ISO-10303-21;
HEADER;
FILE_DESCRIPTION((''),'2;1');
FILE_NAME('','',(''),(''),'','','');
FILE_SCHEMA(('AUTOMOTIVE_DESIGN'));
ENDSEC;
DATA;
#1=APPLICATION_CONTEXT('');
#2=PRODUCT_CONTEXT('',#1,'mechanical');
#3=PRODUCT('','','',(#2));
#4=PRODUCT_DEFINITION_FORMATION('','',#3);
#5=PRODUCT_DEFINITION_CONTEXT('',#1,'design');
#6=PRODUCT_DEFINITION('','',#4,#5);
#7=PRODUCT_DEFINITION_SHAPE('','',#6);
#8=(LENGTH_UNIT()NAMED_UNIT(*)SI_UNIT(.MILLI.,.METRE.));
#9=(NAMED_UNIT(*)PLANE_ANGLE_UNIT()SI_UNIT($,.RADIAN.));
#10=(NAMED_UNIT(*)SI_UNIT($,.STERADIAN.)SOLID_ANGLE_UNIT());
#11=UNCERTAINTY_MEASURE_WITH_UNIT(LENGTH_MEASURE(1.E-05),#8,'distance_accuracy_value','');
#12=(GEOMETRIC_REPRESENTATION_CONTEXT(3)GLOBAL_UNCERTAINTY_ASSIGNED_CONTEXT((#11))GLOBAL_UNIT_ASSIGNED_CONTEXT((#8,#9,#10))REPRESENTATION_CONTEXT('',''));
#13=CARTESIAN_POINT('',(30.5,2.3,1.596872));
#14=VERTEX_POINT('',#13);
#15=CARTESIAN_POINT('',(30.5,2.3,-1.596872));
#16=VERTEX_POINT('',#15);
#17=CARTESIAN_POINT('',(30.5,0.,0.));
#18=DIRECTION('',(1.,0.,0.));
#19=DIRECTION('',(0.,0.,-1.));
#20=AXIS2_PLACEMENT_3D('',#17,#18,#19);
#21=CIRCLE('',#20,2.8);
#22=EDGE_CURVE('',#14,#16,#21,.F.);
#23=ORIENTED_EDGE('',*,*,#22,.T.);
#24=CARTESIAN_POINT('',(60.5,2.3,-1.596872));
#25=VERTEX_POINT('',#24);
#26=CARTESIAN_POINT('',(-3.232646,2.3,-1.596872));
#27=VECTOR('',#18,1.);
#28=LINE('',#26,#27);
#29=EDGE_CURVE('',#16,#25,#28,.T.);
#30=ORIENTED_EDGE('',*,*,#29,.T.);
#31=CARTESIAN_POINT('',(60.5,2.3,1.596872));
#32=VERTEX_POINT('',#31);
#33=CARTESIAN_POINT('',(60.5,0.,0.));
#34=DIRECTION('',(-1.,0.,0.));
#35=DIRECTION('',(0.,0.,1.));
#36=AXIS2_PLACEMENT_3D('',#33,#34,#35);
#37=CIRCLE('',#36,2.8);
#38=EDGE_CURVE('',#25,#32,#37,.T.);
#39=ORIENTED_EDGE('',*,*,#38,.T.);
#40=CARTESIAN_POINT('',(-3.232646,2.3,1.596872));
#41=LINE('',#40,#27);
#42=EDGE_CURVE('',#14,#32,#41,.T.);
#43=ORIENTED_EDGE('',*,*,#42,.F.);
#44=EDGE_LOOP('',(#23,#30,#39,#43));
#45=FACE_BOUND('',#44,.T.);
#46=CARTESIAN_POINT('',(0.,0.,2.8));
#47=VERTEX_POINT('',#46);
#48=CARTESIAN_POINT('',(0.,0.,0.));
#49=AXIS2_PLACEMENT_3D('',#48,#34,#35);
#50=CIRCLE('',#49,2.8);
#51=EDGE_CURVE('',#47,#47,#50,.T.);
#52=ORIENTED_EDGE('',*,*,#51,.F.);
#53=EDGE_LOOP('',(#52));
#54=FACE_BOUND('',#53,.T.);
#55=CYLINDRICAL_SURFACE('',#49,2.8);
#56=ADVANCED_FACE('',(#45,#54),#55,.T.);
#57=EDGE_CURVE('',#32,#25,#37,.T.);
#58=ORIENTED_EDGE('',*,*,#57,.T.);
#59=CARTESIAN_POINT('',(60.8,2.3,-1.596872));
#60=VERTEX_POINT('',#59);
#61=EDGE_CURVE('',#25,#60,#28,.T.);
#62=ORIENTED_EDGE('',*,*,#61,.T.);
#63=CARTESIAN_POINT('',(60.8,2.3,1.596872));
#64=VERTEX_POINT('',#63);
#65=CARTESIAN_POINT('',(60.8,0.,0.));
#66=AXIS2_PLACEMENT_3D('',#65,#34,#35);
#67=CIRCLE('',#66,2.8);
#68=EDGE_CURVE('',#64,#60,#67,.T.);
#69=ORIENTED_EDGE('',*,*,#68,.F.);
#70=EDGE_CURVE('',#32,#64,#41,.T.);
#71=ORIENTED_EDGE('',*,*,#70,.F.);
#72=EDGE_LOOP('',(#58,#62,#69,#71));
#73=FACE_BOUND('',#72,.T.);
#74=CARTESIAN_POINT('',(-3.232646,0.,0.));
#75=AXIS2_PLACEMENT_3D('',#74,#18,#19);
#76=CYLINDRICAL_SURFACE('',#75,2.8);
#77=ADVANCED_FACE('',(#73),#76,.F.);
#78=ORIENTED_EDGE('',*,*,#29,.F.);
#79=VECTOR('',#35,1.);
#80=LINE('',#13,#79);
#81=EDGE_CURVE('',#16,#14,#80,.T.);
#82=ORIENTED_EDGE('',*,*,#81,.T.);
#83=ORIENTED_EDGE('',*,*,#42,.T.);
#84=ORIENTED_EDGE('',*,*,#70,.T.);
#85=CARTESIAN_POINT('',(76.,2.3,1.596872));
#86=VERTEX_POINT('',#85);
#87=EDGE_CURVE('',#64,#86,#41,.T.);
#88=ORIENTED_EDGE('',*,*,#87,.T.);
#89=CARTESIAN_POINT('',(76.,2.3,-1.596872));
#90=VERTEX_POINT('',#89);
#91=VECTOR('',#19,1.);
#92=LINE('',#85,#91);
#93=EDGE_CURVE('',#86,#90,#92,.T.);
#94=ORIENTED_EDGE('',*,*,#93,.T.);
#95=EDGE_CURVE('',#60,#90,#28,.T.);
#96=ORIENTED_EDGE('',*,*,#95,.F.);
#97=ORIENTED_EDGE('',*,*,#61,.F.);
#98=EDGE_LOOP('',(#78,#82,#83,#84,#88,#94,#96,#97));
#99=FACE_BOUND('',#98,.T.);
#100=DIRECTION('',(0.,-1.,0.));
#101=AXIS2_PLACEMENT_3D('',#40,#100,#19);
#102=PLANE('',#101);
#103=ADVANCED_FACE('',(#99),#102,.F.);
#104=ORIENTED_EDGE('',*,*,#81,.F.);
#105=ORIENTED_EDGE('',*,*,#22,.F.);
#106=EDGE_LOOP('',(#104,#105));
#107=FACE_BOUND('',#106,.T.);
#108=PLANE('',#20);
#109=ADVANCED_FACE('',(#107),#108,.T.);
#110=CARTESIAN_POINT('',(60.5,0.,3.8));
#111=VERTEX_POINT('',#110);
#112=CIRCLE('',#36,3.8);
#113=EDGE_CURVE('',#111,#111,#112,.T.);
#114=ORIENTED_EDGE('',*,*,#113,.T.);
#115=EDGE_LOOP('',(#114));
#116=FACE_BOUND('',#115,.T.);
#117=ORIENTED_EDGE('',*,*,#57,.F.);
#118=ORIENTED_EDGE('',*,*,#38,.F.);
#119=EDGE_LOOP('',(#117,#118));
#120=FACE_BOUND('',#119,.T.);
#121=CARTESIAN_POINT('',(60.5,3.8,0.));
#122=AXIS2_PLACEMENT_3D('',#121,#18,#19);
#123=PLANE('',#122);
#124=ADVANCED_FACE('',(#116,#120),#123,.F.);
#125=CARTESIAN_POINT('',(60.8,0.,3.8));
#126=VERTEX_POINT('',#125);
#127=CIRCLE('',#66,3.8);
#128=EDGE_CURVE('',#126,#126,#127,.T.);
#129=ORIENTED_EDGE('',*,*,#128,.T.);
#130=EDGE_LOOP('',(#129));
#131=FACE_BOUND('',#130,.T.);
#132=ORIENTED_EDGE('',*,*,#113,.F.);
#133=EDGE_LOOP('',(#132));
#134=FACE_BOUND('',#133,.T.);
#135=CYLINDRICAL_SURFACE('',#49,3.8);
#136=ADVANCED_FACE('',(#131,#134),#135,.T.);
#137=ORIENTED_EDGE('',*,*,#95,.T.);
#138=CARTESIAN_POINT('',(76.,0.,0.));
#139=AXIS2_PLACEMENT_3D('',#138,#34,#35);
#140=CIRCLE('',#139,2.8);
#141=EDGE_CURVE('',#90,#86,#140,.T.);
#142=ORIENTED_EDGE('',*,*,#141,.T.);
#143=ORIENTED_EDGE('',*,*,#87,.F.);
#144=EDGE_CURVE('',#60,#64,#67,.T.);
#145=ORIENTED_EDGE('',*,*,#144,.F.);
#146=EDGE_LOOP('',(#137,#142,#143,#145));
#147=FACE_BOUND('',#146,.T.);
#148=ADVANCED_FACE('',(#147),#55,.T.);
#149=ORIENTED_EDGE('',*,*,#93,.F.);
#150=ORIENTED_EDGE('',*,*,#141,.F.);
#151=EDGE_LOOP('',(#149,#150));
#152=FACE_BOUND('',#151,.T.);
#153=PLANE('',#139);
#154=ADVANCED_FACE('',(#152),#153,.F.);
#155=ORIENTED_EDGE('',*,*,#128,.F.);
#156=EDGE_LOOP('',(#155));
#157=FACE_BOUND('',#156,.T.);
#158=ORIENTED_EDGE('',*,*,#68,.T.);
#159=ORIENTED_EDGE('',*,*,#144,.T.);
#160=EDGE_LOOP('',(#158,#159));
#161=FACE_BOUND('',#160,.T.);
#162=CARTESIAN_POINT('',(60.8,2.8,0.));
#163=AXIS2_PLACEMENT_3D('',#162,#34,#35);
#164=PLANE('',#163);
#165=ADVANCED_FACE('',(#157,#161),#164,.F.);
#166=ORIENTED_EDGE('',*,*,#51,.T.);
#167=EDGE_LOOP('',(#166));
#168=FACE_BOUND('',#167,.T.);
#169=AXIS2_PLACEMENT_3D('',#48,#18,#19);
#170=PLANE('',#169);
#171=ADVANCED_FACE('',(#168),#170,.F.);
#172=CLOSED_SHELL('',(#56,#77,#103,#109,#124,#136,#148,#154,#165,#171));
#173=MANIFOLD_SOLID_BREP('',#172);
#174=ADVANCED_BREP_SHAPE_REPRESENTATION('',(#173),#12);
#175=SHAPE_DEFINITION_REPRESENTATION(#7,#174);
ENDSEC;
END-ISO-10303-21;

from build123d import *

# Parameters (mm, degrees)
ENL_V_START             = -45.5
ENL_V_MAT_EXTRU_1_DEPTH = 45.5


with BuildPart() as part:
    # Esquisse1 → Révolution1 (revolve)
    with BuildSketch(Plane.XY, mode=Mode.PRIVATE) as r_volution1_sk:
        Polygon((60.8, 2.8), (60.8, 3.8), (60.5, 3.8), (60.5, 2.8), (0, 2.8), (0, 0), (76, 0), (76, 2.8), align=None)
    revolve(r_volution1_sk.sketch.rotate(Axis((0, 0, 0), (1, 0, 0)), 90), axis=Axis((0, 0, 0), (1, 0, 0)))

    # Esquisse2 → Enlèv. mat.-Extru.1 (cut)
    with BuildSketch(Plane(origin=(76, 0, 0), x_dir=(0, 0, -1), z_dir=(1, 0, 0)).offset(ENL_V_START)):
        with BuildLine():
            Line((-1.596871942, 2.3), (1.596871942, 2.3))
            ThreePointArc((1.596871942, 2.3), (0, 2.8), (-1.596871942, 2.3))
        make_face()
    extrude(amount=ENL_V_MAT_EXTRU_1_DEPTH, mode=Mode.SUBTRACT)


solid = part.part
